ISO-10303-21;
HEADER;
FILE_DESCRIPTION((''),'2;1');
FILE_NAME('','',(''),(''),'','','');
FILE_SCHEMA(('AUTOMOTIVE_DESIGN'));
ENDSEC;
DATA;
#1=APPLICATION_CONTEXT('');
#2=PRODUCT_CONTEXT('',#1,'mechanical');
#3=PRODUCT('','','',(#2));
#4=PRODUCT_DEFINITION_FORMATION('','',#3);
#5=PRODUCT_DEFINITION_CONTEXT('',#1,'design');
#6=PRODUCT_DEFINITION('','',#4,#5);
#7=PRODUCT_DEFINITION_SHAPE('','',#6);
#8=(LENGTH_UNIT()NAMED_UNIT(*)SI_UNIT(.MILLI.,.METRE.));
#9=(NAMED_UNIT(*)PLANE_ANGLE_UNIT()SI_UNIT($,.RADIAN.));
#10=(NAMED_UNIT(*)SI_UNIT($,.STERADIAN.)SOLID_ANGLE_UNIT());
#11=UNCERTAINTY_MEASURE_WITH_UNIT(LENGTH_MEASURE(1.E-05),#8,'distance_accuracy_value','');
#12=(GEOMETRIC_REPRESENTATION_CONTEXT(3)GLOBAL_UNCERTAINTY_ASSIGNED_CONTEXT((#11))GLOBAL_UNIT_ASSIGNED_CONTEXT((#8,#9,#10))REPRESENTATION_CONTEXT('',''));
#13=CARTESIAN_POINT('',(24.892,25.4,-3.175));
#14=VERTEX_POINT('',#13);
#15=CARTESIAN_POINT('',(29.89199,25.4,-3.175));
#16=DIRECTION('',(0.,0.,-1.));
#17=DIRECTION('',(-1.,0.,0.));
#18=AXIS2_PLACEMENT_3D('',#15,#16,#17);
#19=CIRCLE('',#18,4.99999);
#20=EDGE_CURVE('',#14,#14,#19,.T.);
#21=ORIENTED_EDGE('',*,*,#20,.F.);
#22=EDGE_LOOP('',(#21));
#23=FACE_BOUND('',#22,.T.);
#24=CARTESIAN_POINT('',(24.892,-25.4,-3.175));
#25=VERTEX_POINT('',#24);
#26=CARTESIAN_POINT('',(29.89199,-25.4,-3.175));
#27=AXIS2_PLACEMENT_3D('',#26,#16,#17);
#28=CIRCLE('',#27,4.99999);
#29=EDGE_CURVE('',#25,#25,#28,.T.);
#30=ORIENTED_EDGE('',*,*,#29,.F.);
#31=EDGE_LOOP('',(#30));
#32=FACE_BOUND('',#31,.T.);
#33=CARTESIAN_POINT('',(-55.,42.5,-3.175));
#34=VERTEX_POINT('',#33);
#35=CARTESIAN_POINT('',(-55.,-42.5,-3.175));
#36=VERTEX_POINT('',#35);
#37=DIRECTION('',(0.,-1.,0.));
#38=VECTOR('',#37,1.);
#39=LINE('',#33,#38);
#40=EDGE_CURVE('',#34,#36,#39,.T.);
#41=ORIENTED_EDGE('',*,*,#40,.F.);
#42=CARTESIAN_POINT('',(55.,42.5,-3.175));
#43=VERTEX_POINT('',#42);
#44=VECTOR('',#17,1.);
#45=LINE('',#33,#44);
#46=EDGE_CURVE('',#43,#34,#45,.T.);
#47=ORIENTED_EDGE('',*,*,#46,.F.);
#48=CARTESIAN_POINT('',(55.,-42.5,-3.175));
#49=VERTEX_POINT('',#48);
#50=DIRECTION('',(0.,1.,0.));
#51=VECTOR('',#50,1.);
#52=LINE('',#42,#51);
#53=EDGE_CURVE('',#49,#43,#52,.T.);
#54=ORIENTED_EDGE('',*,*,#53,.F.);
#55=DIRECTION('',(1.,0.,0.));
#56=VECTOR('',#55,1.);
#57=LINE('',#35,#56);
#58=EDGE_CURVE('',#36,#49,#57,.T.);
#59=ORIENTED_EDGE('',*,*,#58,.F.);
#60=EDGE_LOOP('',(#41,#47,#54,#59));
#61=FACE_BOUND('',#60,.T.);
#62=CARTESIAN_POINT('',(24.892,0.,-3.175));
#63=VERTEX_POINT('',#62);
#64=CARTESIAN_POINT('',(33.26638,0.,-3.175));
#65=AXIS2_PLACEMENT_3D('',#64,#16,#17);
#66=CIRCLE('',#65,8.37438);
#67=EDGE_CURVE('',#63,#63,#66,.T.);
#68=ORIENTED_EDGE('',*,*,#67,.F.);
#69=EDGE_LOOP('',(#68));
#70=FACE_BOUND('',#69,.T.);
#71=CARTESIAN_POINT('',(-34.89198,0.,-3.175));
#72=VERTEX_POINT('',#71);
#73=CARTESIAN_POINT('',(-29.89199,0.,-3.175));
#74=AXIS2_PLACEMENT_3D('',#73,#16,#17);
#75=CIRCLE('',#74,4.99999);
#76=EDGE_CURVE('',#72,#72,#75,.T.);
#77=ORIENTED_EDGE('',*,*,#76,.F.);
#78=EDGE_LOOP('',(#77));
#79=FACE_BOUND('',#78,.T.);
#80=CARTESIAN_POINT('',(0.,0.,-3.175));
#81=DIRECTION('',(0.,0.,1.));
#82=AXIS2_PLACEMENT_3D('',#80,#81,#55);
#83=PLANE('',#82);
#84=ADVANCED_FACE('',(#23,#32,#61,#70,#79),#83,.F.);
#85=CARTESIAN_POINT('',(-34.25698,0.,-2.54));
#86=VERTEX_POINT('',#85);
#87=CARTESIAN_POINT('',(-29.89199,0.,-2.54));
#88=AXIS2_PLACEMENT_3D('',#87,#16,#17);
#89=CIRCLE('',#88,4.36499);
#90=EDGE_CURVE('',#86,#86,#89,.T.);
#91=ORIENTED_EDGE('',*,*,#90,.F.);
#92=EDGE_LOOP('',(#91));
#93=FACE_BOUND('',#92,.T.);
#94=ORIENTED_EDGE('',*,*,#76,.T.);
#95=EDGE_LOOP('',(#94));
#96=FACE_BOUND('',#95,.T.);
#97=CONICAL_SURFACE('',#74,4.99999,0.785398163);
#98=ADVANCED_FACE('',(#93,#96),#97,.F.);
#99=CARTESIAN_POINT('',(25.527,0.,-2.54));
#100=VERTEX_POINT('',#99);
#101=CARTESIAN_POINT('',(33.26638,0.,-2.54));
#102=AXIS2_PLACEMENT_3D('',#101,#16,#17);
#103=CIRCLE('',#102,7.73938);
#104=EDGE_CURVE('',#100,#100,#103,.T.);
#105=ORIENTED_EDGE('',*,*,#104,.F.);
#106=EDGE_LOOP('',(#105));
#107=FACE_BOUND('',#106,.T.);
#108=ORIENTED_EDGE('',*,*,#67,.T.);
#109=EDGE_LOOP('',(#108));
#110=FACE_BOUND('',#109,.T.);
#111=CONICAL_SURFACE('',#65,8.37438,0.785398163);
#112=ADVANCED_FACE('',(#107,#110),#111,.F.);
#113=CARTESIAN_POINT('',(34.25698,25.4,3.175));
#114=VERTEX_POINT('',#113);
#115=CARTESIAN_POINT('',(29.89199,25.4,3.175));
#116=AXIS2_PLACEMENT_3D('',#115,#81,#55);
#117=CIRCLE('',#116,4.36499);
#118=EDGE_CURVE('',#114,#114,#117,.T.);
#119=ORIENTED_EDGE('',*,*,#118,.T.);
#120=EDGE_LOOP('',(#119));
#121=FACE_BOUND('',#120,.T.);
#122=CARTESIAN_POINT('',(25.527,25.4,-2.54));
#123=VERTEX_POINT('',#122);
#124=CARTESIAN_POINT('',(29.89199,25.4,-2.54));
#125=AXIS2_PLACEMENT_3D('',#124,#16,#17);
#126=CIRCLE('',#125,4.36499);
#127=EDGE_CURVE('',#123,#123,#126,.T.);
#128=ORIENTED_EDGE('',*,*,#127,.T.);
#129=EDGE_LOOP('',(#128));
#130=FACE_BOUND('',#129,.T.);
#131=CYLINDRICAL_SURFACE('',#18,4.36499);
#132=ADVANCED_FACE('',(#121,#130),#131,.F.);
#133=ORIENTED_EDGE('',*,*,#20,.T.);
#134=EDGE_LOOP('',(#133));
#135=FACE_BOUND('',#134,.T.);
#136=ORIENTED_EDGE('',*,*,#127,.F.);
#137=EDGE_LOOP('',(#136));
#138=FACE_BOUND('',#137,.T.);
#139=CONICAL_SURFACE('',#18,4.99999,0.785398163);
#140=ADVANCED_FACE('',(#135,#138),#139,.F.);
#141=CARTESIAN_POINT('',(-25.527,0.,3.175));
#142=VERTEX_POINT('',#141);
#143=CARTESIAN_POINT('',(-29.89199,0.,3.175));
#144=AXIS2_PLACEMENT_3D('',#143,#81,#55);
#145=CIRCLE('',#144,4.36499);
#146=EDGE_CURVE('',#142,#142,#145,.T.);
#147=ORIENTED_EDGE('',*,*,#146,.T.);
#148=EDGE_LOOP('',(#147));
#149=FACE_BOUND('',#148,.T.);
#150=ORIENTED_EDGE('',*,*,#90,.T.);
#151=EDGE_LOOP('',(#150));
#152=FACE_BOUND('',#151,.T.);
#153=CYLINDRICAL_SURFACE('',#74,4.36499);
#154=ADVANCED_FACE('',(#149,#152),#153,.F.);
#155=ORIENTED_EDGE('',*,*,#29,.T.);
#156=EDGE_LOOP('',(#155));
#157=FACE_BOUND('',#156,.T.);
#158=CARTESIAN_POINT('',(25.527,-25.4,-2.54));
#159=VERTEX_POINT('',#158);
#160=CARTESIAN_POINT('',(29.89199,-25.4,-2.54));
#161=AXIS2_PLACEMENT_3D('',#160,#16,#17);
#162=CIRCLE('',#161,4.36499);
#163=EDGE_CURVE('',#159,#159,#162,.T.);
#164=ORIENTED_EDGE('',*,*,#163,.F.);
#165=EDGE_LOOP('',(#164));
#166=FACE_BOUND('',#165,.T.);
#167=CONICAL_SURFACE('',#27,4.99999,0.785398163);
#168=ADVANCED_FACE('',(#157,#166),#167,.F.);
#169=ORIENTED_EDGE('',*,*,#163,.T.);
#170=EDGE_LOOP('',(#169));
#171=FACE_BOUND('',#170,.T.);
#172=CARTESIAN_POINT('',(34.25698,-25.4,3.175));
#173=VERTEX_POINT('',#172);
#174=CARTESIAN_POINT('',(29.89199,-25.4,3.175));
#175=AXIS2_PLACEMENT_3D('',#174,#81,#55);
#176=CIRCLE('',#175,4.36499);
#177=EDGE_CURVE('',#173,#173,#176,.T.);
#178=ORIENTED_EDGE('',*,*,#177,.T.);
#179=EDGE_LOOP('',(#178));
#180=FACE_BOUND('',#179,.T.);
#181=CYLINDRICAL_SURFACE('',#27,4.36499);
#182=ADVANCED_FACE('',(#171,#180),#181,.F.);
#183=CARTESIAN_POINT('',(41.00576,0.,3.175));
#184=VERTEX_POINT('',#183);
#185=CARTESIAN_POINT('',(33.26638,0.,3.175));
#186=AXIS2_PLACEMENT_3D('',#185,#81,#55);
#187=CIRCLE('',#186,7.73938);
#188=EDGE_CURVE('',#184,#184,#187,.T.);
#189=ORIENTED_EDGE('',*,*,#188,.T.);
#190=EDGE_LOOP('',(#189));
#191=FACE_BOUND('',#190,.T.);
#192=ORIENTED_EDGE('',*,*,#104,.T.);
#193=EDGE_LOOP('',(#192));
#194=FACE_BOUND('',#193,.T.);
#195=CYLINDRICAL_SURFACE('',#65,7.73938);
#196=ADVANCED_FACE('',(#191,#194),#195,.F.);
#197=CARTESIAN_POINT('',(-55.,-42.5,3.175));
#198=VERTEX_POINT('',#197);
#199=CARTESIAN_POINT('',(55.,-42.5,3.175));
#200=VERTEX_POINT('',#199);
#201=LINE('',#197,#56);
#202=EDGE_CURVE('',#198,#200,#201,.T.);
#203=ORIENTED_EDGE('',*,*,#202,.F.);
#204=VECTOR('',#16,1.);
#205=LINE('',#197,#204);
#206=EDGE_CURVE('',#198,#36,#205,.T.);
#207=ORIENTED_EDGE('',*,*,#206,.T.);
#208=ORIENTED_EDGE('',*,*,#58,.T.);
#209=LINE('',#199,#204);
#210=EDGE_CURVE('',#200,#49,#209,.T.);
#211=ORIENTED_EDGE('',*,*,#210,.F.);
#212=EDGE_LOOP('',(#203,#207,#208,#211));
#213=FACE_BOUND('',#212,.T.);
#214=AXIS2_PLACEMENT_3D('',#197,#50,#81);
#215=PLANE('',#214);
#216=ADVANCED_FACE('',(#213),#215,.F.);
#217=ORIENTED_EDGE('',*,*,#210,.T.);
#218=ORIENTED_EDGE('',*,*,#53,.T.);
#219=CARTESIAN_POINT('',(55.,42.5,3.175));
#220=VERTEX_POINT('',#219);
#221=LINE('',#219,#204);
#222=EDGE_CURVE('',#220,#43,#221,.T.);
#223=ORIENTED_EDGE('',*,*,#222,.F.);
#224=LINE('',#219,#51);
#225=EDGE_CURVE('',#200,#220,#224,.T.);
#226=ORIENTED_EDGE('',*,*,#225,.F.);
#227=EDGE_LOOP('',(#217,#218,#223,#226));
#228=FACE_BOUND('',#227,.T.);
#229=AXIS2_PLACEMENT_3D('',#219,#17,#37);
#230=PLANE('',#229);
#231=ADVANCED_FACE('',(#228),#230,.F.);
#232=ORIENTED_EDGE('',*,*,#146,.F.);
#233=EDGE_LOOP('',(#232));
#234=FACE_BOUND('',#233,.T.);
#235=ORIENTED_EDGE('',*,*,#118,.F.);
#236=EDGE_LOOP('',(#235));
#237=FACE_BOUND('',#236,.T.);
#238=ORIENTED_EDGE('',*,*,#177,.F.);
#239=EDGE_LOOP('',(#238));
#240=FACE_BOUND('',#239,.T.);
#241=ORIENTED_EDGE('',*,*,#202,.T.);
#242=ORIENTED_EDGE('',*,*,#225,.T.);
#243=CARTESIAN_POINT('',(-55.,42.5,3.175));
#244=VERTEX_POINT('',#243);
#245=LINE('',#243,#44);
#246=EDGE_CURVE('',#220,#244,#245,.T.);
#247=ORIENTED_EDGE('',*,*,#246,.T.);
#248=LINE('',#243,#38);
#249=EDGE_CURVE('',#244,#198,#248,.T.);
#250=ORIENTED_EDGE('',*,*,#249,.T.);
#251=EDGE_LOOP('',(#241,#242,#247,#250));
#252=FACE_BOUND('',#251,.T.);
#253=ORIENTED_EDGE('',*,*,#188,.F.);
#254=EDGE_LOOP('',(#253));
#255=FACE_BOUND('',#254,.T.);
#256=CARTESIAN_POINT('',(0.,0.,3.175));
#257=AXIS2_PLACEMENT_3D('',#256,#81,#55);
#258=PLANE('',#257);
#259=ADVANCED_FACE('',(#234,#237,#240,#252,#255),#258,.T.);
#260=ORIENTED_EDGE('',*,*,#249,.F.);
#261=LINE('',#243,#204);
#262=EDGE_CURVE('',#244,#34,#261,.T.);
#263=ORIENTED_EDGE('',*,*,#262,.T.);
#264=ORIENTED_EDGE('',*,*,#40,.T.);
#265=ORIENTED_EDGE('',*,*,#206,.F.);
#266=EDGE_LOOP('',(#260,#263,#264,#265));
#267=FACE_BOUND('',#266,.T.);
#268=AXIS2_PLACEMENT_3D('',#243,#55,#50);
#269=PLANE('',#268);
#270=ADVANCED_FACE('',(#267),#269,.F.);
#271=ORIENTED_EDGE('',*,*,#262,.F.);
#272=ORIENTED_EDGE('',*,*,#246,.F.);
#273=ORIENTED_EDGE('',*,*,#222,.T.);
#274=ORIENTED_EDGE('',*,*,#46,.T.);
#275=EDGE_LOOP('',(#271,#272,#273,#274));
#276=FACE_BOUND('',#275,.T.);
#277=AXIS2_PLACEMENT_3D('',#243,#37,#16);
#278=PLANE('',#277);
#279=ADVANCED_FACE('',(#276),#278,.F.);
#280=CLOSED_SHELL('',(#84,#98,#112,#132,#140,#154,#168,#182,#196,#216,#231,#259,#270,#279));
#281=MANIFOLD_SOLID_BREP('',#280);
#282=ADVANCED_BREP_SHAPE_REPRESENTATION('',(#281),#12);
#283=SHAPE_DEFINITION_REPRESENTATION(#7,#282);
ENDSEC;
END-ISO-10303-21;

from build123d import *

# Parameters (mm, degrees)
ESQUISSE2_W                        = 110
ESQUISSE2_H                        = 85
BOSS_EXTRU_1_DEPTH                 = 3.175
F_5_16_CLEARANCE_HOLE1_D           = 8.72998
F_5_16_CLEARANCE_HOLE1_CSINK_D     = 9.99998
F_5_16_CLEARANCE_HOLE1_CSINK_ANGLE = 90


with BuildPart() as part:
    # Esquisse2 → Boss.-Extru.1 (new, symmetric)
    with BuildSketch(Plane.XY):
        Rectangle(ESQUISSE2_W, ESQUISSE2_H)
    extrude(amount=BOSS_EXTRU_1_DEPTH, both=True)

    # 5/16 Clearance Hole1 (through all)
    with Locations(Plane(origin=(0, 0, -3.175), x_dir=(-1, 0, 0), z_dir=(0, 0, -1))):
        with Locations((-29.89199, 25.4), (-29.89199, -25.4), (29.89199, 0)):
            CounterSinkHole(F_5_16_CLEARANCE_HOLE1_D / 2, F_5_16_CLEARANCE_HOLE1_CSINK_D / 2, counter_sink_angle=F_5_16_CLEARANCE_HOLE1_CSINK_ANGLE)

    # Sketch4 → 9/16 Clearance Hole1 (revolve, cut)
    with BuildSketch(Plane(origin=(33.26638, 0, -3.175), x_dir=(0, 1, 0), z_dir=(1, 0, 0))):
        Polygon((0, 0), (0, 6.35), (7.73938, 6.35), (7.73938, 0.635), (8.37438, 0), align=None)
    revolve(axis=Axis((33.26638, 0, -9.525), (0, 0, 1)), mode=Mode.SUBTRACT)


solid = part.part
